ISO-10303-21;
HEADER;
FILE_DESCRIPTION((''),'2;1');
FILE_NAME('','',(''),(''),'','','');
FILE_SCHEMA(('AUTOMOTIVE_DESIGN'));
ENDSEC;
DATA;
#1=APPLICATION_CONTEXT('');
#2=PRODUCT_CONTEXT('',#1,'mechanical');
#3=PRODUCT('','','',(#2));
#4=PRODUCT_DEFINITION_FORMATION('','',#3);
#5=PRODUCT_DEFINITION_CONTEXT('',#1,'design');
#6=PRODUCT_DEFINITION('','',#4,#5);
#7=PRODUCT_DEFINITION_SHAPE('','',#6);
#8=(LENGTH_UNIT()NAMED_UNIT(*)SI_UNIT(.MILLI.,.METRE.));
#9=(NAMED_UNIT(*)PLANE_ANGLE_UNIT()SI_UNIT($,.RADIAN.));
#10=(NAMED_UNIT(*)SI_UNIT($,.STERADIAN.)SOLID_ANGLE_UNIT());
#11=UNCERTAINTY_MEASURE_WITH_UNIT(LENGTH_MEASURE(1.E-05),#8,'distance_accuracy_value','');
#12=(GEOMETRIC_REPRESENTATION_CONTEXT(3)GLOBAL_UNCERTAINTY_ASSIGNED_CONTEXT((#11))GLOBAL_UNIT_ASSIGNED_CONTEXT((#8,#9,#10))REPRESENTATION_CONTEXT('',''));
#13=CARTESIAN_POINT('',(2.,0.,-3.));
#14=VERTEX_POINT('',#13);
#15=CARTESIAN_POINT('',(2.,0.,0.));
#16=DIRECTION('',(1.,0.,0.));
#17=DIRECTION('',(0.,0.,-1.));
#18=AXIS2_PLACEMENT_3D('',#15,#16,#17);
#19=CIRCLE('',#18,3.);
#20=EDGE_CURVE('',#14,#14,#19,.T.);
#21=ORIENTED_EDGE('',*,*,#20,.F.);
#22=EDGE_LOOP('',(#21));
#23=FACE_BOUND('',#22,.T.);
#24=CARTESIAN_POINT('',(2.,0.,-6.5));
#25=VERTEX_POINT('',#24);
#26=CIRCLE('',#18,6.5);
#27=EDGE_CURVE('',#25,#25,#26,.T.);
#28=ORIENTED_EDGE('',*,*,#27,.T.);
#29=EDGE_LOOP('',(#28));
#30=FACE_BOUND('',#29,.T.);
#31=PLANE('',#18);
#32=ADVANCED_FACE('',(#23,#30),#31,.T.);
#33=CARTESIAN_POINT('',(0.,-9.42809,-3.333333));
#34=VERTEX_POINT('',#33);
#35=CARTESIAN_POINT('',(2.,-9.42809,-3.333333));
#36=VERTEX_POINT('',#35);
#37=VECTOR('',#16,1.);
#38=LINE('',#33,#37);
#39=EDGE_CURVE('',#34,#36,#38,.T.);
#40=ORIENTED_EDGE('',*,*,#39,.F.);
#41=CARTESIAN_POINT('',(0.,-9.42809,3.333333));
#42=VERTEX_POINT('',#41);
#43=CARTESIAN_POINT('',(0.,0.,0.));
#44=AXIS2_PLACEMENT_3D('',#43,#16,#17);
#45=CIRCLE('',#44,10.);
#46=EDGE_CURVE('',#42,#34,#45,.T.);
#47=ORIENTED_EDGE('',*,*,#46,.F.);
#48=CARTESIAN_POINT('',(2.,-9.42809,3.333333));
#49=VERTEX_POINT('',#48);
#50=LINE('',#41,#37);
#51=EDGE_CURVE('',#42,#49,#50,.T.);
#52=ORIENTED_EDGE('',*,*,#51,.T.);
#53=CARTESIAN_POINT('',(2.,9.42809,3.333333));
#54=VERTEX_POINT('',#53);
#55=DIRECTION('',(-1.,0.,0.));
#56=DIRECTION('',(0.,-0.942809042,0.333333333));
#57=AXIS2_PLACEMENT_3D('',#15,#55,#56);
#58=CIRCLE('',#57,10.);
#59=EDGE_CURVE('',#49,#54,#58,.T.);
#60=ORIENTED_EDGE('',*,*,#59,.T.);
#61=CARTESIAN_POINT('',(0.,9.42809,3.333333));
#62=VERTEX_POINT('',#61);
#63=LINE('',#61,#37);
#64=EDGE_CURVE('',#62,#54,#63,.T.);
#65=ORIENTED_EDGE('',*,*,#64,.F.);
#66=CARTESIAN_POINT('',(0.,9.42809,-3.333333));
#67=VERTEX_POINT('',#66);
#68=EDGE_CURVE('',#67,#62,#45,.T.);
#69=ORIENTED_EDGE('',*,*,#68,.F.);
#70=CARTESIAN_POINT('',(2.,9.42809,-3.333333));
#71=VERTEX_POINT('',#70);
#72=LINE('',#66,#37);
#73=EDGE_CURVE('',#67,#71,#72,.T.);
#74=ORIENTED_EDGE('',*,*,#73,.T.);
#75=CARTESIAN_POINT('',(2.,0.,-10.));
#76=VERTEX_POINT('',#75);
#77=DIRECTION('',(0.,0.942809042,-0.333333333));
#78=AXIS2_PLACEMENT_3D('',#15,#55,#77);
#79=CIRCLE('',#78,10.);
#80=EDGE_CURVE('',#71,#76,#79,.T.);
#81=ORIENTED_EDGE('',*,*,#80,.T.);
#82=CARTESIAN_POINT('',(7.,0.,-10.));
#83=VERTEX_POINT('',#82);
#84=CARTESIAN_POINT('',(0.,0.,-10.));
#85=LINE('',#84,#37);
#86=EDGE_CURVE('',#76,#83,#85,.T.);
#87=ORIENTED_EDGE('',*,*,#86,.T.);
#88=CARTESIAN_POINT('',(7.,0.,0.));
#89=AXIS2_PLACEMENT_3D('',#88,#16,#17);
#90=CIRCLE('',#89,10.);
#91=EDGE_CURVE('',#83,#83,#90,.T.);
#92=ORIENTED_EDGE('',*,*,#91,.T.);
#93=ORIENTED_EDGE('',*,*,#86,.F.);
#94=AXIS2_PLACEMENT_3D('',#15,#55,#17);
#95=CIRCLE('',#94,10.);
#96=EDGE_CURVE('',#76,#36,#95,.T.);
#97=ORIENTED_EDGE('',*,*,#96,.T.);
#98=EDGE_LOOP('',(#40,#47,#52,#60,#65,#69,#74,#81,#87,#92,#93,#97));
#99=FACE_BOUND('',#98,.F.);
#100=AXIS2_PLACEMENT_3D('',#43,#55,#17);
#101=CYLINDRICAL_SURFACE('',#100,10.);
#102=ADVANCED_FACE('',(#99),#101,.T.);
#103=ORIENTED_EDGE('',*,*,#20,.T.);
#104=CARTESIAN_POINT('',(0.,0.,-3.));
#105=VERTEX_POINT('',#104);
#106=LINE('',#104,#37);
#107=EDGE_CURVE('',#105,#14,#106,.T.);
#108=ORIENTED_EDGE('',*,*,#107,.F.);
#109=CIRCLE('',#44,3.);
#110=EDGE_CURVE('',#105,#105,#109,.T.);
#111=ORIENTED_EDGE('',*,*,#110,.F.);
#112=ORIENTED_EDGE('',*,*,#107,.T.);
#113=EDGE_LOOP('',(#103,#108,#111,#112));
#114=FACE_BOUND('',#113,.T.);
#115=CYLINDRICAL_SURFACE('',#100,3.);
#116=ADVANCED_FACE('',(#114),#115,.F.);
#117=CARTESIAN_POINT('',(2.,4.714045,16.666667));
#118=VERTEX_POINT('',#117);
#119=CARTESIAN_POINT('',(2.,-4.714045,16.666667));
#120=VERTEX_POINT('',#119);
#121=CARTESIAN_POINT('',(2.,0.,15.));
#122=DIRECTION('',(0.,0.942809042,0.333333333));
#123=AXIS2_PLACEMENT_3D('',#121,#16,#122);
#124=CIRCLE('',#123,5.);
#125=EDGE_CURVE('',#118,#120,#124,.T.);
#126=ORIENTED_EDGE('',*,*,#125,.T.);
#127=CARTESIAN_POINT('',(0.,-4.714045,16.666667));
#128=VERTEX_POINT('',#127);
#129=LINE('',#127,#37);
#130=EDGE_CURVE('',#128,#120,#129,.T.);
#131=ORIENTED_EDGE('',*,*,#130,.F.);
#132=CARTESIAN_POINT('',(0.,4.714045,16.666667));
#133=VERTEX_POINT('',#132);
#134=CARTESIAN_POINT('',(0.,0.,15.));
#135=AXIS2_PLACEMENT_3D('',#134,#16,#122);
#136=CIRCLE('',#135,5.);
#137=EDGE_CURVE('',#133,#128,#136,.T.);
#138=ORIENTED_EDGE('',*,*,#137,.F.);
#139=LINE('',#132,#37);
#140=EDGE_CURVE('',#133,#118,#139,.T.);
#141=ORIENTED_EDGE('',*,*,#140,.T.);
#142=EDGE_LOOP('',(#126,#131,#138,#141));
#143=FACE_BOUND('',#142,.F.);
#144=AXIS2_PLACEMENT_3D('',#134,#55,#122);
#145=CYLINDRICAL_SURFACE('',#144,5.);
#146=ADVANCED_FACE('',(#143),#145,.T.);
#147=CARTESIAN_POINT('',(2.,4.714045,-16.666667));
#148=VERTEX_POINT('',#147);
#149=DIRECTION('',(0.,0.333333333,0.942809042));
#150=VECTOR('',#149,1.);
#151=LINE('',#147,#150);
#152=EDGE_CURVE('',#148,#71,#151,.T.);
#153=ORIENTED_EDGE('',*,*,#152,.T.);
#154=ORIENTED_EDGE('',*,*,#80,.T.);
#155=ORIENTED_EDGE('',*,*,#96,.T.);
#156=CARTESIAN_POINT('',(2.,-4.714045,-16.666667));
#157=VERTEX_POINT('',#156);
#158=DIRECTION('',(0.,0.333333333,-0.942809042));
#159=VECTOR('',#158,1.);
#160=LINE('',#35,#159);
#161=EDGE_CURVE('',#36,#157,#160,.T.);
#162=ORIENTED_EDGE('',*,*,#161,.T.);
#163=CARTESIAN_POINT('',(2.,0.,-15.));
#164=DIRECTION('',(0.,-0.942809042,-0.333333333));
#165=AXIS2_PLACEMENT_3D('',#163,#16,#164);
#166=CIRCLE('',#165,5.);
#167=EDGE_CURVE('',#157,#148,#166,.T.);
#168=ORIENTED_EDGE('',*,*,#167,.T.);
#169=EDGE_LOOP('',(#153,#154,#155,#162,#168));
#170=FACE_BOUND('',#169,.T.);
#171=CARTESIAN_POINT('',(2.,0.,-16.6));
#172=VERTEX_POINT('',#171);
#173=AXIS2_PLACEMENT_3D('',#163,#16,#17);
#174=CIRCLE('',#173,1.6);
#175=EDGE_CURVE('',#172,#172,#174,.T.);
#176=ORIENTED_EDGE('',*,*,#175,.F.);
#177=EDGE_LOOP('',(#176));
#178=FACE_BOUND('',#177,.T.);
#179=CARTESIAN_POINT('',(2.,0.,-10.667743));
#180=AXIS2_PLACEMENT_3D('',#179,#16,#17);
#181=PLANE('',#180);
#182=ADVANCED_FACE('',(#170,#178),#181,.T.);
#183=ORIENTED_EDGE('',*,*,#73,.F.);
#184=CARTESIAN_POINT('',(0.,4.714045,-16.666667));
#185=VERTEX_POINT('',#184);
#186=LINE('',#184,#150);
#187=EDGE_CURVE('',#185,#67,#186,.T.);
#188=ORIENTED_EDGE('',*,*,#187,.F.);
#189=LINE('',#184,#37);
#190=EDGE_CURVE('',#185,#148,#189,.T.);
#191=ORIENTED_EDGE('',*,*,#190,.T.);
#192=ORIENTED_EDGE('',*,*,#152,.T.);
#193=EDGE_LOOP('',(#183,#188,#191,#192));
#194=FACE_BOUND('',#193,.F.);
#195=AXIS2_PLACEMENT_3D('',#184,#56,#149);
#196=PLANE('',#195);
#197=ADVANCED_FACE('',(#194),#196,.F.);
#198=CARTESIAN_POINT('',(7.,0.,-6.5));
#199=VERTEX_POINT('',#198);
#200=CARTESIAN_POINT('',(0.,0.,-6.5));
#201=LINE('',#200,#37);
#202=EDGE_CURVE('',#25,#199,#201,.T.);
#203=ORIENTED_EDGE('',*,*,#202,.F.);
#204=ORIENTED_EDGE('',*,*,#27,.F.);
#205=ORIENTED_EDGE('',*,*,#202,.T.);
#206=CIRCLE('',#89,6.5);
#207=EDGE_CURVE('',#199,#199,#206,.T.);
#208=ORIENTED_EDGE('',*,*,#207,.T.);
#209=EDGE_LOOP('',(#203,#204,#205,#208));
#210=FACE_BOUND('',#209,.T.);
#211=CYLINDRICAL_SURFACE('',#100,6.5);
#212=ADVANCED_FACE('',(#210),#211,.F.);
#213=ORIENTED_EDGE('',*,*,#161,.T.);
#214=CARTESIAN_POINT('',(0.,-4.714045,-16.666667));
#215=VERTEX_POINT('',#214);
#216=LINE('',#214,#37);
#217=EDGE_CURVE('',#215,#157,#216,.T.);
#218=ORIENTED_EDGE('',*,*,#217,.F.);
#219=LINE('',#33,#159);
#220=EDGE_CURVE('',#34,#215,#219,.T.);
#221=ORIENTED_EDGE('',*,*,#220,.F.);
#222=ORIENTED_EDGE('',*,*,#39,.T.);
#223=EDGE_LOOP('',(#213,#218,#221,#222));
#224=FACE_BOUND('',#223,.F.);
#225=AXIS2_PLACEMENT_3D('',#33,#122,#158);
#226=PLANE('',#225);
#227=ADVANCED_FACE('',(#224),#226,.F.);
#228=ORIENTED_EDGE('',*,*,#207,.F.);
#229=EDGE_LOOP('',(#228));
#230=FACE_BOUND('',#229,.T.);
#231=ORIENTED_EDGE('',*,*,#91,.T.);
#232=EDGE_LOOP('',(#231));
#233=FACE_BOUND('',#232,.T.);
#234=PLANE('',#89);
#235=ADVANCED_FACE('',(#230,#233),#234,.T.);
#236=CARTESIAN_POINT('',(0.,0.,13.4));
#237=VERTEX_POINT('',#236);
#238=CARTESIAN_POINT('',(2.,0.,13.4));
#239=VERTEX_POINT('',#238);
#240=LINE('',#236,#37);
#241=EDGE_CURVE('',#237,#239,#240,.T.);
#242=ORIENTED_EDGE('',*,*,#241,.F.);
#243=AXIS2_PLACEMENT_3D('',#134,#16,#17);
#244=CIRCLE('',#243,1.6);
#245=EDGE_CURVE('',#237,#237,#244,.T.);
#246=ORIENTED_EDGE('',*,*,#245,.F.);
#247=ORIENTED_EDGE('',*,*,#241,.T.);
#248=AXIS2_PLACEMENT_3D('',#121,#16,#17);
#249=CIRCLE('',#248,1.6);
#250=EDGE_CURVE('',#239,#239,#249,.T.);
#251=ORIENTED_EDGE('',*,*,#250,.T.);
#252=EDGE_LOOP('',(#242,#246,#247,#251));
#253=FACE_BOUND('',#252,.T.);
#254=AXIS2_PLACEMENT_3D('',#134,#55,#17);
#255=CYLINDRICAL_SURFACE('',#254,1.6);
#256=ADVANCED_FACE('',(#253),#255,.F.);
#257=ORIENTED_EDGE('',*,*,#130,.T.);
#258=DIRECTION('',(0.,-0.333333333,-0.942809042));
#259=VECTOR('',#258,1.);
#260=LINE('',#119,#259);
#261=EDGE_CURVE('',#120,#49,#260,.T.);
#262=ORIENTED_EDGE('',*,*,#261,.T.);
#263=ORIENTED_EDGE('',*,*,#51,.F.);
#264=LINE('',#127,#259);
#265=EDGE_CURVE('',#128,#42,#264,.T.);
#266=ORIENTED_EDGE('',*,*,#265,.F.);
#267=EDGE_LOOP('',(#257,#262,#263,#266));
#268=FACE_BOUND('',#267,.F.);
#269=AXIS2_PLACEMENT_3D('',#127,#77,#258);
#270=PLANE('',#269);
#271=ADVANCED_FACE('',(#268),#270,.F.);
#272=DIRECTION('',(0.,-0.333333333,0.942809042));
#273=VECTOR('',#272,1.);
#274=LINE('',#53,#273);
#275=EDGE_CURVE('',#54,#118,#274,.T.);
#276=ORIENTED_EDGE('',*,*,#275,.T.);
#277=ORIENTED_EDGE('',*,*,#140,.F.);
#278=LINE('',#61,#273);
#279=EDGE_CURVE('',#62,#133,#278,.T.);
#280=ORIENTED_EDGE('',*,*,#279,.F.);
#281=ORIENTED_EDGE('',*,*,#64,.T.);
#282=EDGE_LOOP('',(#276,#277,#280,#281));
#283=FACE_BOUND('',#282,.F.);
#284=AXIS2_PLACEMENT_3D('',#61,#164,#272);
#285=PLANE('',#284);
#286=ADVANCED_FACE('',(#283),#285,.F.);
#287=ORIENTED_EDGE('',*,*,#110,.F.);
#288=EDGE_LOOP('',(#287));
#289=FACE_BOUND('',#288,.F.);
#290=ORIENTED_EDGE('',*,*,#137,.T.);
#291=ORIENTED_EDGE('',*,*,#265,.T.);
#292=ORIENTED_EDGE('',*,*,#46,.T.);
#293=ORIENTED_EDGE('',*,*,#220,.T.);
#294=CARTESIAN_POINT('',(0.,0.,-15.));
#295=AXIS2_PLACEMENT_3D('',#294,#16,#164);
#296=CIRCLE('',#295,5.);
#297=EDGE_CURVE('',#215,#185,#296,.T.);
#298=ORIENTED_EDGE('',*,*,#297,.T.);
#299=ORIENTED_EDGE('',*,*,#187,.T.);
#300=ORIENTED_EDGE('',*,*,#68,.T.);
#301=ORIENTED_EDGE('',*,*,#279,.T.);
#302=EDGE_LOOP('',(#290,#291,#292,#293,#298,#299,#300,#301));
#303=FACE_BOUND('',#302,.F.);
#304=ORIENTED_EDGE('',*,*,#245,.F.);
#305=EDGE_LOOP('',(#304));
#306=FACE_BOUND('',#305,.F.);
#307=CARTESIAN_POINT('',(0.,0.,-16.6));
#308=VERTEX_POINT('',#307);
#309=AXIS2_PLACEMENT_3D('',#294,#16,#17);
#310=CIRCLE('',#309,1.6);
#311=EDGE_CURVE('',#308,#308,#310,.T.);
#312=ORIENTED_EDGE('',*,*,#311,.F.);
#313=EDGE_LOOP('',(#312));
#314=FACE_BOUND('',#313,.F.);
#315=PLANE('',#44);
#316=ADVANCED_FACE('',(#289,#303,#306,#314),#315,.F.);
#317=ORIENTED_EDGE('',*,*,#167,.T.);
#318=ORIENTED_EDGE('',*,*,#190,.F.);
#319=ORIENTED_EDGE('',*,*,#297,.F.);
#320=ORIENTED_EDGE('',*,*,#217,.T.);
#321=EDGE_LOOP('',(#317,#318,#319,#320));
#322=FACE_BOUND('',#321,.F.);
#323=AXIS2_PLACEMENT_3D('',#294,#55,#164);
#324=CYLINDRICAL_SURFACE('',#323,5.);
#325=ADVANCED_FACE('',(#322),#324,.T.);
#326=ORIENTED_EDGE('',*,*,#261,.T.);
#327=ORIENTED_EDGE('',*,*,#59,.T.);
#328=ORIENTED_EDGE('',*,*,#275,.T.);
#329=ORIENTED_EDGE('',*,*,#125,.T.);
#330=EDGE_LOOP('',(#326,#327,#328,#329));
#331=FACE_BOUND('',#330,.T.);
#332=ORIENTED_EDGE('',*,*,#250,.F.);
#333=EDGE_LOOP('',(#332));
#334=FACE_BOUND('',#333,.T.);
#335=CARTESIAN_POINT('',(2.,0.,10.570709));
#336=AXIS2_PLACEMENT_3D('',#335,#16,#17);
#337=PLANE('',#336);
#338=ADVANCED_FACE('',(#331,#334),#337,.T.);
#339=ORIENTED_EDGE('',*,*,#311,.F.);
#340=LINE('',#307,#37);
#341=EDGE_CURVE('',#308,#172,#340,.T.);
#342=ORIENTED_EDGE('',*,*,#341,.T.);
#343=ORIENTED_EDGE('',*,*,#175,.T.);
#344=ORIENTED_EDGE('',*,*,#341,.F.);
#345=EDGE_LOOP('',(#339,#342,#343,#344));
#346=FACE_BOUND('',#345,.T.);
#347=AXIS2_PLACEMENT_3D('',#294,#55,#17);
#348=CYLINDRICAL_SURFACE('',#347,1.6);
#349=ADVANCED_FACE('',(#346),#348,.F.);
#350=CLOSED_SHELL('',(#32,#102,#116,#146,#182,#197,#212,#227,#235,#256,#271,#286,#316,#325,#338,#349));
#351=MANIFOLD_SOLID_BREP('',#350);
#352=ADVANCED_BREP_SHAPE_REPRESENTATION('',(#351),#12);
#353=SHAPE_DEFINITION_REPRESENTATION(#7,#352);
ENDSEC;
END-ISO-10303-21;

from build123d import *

# Parameters (mm, degrees)
SKETCH1_R             = 1.6
BOSS_EXTRUDE1_DEPTH   = 2
BOSS_EXTRUDE1_2_DEPTH = 2
SKETCH1_5_R           = 10
SKETCH1_5_R_2         = 6.5
BOSS_EXTRUDE2_DEPTH   = 7
SKETCH1_6_R           = 6.5
SKETCH1_6_R_2         = 3
BOSS_EXTRUDE3_DEPTH   = 2


with BuildPart() as part:
    # Sketch1 → Boss-Extrude1 (new body)
    with BuildSketch(Plane(origin=(0, 0, 0), x_dir=(0, 0, -1), z_dir=(1, 0, 0))):
        with BuildLine():
            Line((-3.333333333, 9.428090416), (-16.666666667, 4.714045208))
            ThreePointArc((-16.666666667, 4.714045208), (-20, 0), (-16.666666667, -4.714045208))
            Line((-16.666666667, -4.714045208), (-3.333333333, -9.428090416))
            ThreePointArc((-3.333333333, -9.428090416), (-10, 0), (-3.333333333, 9.428090416))
        make_face()
        with Locations((-15, 0)):
            Circle(SKETCH1_R, mode=Mode.SUBTRACT)
    extrude(amount=BOSS_EXTRUDE1_DEPTH)



with BuildPart() as body_2:
    # Sketch1 → Boss-Extrude1 2 (new body)
    with BuildSketch(Plane(origin=(0, 0, 0), x_dir=(0, 0, -1), z_dir=(1, 0, 0))):
        with BuildLine():
            Line((16.666666667, 4.714045208), (3.333333333, 9.428090416))
            ThreePointArc((3.333333333, 9.428090416), (8.164965809, 5.773502692), (10, 0))
            ThreePointArc((10, 0), (8.164965809, -5.773502692), (3.333333333, -9.428090416))
            Line((3.333333333, -9.428090416), (16.666666667, -4.714045208))
            ThreePointArc((16.666666667, -4.714045208), (20, 0), (16.666666667, 4.714045208))
        make_face()
        with Locations((15, 0)):
            Circle(SKETCH1_R, mode=Mode.SUBTRACT)
    extrude(amount=BOSS_EXTRUDE1_2_DEPTH)


with BuildPart() as part_1:
    add(part.part)

    add(body_2.part)  # Boss-Extrude2 merges body 2
    # Sketch1<5> → Boss-Extrude2 (add)
    with BuildSketch(Plane(origin=(0, 0, 0), x_dir=(0, 0, -1), z_dir=(1, 0, 0))):
        Circle(SKETCH1_5_R)
        Circle(SKETCH1_5_R_2, mode=Mode.SUBTRACT)
    extrude(amount=BOSS_EXTRUDE2_DEPTH)

    # Sketch1<6> → Boss-Extrude3 (add)
    with BuildSketch(Plane(origin=(0, 0, 0), x_dir=(0, 0, -1), z_dir=(1, 0, 0))):
        Circle(SKETCH1_6_R)
        Circle(SKETCH1_6_R_2, mode=Mode.SUBTRACT)
    extrude(amount=BOSS_EXTRUDE3_DEPTH)


solid = part_1.part
